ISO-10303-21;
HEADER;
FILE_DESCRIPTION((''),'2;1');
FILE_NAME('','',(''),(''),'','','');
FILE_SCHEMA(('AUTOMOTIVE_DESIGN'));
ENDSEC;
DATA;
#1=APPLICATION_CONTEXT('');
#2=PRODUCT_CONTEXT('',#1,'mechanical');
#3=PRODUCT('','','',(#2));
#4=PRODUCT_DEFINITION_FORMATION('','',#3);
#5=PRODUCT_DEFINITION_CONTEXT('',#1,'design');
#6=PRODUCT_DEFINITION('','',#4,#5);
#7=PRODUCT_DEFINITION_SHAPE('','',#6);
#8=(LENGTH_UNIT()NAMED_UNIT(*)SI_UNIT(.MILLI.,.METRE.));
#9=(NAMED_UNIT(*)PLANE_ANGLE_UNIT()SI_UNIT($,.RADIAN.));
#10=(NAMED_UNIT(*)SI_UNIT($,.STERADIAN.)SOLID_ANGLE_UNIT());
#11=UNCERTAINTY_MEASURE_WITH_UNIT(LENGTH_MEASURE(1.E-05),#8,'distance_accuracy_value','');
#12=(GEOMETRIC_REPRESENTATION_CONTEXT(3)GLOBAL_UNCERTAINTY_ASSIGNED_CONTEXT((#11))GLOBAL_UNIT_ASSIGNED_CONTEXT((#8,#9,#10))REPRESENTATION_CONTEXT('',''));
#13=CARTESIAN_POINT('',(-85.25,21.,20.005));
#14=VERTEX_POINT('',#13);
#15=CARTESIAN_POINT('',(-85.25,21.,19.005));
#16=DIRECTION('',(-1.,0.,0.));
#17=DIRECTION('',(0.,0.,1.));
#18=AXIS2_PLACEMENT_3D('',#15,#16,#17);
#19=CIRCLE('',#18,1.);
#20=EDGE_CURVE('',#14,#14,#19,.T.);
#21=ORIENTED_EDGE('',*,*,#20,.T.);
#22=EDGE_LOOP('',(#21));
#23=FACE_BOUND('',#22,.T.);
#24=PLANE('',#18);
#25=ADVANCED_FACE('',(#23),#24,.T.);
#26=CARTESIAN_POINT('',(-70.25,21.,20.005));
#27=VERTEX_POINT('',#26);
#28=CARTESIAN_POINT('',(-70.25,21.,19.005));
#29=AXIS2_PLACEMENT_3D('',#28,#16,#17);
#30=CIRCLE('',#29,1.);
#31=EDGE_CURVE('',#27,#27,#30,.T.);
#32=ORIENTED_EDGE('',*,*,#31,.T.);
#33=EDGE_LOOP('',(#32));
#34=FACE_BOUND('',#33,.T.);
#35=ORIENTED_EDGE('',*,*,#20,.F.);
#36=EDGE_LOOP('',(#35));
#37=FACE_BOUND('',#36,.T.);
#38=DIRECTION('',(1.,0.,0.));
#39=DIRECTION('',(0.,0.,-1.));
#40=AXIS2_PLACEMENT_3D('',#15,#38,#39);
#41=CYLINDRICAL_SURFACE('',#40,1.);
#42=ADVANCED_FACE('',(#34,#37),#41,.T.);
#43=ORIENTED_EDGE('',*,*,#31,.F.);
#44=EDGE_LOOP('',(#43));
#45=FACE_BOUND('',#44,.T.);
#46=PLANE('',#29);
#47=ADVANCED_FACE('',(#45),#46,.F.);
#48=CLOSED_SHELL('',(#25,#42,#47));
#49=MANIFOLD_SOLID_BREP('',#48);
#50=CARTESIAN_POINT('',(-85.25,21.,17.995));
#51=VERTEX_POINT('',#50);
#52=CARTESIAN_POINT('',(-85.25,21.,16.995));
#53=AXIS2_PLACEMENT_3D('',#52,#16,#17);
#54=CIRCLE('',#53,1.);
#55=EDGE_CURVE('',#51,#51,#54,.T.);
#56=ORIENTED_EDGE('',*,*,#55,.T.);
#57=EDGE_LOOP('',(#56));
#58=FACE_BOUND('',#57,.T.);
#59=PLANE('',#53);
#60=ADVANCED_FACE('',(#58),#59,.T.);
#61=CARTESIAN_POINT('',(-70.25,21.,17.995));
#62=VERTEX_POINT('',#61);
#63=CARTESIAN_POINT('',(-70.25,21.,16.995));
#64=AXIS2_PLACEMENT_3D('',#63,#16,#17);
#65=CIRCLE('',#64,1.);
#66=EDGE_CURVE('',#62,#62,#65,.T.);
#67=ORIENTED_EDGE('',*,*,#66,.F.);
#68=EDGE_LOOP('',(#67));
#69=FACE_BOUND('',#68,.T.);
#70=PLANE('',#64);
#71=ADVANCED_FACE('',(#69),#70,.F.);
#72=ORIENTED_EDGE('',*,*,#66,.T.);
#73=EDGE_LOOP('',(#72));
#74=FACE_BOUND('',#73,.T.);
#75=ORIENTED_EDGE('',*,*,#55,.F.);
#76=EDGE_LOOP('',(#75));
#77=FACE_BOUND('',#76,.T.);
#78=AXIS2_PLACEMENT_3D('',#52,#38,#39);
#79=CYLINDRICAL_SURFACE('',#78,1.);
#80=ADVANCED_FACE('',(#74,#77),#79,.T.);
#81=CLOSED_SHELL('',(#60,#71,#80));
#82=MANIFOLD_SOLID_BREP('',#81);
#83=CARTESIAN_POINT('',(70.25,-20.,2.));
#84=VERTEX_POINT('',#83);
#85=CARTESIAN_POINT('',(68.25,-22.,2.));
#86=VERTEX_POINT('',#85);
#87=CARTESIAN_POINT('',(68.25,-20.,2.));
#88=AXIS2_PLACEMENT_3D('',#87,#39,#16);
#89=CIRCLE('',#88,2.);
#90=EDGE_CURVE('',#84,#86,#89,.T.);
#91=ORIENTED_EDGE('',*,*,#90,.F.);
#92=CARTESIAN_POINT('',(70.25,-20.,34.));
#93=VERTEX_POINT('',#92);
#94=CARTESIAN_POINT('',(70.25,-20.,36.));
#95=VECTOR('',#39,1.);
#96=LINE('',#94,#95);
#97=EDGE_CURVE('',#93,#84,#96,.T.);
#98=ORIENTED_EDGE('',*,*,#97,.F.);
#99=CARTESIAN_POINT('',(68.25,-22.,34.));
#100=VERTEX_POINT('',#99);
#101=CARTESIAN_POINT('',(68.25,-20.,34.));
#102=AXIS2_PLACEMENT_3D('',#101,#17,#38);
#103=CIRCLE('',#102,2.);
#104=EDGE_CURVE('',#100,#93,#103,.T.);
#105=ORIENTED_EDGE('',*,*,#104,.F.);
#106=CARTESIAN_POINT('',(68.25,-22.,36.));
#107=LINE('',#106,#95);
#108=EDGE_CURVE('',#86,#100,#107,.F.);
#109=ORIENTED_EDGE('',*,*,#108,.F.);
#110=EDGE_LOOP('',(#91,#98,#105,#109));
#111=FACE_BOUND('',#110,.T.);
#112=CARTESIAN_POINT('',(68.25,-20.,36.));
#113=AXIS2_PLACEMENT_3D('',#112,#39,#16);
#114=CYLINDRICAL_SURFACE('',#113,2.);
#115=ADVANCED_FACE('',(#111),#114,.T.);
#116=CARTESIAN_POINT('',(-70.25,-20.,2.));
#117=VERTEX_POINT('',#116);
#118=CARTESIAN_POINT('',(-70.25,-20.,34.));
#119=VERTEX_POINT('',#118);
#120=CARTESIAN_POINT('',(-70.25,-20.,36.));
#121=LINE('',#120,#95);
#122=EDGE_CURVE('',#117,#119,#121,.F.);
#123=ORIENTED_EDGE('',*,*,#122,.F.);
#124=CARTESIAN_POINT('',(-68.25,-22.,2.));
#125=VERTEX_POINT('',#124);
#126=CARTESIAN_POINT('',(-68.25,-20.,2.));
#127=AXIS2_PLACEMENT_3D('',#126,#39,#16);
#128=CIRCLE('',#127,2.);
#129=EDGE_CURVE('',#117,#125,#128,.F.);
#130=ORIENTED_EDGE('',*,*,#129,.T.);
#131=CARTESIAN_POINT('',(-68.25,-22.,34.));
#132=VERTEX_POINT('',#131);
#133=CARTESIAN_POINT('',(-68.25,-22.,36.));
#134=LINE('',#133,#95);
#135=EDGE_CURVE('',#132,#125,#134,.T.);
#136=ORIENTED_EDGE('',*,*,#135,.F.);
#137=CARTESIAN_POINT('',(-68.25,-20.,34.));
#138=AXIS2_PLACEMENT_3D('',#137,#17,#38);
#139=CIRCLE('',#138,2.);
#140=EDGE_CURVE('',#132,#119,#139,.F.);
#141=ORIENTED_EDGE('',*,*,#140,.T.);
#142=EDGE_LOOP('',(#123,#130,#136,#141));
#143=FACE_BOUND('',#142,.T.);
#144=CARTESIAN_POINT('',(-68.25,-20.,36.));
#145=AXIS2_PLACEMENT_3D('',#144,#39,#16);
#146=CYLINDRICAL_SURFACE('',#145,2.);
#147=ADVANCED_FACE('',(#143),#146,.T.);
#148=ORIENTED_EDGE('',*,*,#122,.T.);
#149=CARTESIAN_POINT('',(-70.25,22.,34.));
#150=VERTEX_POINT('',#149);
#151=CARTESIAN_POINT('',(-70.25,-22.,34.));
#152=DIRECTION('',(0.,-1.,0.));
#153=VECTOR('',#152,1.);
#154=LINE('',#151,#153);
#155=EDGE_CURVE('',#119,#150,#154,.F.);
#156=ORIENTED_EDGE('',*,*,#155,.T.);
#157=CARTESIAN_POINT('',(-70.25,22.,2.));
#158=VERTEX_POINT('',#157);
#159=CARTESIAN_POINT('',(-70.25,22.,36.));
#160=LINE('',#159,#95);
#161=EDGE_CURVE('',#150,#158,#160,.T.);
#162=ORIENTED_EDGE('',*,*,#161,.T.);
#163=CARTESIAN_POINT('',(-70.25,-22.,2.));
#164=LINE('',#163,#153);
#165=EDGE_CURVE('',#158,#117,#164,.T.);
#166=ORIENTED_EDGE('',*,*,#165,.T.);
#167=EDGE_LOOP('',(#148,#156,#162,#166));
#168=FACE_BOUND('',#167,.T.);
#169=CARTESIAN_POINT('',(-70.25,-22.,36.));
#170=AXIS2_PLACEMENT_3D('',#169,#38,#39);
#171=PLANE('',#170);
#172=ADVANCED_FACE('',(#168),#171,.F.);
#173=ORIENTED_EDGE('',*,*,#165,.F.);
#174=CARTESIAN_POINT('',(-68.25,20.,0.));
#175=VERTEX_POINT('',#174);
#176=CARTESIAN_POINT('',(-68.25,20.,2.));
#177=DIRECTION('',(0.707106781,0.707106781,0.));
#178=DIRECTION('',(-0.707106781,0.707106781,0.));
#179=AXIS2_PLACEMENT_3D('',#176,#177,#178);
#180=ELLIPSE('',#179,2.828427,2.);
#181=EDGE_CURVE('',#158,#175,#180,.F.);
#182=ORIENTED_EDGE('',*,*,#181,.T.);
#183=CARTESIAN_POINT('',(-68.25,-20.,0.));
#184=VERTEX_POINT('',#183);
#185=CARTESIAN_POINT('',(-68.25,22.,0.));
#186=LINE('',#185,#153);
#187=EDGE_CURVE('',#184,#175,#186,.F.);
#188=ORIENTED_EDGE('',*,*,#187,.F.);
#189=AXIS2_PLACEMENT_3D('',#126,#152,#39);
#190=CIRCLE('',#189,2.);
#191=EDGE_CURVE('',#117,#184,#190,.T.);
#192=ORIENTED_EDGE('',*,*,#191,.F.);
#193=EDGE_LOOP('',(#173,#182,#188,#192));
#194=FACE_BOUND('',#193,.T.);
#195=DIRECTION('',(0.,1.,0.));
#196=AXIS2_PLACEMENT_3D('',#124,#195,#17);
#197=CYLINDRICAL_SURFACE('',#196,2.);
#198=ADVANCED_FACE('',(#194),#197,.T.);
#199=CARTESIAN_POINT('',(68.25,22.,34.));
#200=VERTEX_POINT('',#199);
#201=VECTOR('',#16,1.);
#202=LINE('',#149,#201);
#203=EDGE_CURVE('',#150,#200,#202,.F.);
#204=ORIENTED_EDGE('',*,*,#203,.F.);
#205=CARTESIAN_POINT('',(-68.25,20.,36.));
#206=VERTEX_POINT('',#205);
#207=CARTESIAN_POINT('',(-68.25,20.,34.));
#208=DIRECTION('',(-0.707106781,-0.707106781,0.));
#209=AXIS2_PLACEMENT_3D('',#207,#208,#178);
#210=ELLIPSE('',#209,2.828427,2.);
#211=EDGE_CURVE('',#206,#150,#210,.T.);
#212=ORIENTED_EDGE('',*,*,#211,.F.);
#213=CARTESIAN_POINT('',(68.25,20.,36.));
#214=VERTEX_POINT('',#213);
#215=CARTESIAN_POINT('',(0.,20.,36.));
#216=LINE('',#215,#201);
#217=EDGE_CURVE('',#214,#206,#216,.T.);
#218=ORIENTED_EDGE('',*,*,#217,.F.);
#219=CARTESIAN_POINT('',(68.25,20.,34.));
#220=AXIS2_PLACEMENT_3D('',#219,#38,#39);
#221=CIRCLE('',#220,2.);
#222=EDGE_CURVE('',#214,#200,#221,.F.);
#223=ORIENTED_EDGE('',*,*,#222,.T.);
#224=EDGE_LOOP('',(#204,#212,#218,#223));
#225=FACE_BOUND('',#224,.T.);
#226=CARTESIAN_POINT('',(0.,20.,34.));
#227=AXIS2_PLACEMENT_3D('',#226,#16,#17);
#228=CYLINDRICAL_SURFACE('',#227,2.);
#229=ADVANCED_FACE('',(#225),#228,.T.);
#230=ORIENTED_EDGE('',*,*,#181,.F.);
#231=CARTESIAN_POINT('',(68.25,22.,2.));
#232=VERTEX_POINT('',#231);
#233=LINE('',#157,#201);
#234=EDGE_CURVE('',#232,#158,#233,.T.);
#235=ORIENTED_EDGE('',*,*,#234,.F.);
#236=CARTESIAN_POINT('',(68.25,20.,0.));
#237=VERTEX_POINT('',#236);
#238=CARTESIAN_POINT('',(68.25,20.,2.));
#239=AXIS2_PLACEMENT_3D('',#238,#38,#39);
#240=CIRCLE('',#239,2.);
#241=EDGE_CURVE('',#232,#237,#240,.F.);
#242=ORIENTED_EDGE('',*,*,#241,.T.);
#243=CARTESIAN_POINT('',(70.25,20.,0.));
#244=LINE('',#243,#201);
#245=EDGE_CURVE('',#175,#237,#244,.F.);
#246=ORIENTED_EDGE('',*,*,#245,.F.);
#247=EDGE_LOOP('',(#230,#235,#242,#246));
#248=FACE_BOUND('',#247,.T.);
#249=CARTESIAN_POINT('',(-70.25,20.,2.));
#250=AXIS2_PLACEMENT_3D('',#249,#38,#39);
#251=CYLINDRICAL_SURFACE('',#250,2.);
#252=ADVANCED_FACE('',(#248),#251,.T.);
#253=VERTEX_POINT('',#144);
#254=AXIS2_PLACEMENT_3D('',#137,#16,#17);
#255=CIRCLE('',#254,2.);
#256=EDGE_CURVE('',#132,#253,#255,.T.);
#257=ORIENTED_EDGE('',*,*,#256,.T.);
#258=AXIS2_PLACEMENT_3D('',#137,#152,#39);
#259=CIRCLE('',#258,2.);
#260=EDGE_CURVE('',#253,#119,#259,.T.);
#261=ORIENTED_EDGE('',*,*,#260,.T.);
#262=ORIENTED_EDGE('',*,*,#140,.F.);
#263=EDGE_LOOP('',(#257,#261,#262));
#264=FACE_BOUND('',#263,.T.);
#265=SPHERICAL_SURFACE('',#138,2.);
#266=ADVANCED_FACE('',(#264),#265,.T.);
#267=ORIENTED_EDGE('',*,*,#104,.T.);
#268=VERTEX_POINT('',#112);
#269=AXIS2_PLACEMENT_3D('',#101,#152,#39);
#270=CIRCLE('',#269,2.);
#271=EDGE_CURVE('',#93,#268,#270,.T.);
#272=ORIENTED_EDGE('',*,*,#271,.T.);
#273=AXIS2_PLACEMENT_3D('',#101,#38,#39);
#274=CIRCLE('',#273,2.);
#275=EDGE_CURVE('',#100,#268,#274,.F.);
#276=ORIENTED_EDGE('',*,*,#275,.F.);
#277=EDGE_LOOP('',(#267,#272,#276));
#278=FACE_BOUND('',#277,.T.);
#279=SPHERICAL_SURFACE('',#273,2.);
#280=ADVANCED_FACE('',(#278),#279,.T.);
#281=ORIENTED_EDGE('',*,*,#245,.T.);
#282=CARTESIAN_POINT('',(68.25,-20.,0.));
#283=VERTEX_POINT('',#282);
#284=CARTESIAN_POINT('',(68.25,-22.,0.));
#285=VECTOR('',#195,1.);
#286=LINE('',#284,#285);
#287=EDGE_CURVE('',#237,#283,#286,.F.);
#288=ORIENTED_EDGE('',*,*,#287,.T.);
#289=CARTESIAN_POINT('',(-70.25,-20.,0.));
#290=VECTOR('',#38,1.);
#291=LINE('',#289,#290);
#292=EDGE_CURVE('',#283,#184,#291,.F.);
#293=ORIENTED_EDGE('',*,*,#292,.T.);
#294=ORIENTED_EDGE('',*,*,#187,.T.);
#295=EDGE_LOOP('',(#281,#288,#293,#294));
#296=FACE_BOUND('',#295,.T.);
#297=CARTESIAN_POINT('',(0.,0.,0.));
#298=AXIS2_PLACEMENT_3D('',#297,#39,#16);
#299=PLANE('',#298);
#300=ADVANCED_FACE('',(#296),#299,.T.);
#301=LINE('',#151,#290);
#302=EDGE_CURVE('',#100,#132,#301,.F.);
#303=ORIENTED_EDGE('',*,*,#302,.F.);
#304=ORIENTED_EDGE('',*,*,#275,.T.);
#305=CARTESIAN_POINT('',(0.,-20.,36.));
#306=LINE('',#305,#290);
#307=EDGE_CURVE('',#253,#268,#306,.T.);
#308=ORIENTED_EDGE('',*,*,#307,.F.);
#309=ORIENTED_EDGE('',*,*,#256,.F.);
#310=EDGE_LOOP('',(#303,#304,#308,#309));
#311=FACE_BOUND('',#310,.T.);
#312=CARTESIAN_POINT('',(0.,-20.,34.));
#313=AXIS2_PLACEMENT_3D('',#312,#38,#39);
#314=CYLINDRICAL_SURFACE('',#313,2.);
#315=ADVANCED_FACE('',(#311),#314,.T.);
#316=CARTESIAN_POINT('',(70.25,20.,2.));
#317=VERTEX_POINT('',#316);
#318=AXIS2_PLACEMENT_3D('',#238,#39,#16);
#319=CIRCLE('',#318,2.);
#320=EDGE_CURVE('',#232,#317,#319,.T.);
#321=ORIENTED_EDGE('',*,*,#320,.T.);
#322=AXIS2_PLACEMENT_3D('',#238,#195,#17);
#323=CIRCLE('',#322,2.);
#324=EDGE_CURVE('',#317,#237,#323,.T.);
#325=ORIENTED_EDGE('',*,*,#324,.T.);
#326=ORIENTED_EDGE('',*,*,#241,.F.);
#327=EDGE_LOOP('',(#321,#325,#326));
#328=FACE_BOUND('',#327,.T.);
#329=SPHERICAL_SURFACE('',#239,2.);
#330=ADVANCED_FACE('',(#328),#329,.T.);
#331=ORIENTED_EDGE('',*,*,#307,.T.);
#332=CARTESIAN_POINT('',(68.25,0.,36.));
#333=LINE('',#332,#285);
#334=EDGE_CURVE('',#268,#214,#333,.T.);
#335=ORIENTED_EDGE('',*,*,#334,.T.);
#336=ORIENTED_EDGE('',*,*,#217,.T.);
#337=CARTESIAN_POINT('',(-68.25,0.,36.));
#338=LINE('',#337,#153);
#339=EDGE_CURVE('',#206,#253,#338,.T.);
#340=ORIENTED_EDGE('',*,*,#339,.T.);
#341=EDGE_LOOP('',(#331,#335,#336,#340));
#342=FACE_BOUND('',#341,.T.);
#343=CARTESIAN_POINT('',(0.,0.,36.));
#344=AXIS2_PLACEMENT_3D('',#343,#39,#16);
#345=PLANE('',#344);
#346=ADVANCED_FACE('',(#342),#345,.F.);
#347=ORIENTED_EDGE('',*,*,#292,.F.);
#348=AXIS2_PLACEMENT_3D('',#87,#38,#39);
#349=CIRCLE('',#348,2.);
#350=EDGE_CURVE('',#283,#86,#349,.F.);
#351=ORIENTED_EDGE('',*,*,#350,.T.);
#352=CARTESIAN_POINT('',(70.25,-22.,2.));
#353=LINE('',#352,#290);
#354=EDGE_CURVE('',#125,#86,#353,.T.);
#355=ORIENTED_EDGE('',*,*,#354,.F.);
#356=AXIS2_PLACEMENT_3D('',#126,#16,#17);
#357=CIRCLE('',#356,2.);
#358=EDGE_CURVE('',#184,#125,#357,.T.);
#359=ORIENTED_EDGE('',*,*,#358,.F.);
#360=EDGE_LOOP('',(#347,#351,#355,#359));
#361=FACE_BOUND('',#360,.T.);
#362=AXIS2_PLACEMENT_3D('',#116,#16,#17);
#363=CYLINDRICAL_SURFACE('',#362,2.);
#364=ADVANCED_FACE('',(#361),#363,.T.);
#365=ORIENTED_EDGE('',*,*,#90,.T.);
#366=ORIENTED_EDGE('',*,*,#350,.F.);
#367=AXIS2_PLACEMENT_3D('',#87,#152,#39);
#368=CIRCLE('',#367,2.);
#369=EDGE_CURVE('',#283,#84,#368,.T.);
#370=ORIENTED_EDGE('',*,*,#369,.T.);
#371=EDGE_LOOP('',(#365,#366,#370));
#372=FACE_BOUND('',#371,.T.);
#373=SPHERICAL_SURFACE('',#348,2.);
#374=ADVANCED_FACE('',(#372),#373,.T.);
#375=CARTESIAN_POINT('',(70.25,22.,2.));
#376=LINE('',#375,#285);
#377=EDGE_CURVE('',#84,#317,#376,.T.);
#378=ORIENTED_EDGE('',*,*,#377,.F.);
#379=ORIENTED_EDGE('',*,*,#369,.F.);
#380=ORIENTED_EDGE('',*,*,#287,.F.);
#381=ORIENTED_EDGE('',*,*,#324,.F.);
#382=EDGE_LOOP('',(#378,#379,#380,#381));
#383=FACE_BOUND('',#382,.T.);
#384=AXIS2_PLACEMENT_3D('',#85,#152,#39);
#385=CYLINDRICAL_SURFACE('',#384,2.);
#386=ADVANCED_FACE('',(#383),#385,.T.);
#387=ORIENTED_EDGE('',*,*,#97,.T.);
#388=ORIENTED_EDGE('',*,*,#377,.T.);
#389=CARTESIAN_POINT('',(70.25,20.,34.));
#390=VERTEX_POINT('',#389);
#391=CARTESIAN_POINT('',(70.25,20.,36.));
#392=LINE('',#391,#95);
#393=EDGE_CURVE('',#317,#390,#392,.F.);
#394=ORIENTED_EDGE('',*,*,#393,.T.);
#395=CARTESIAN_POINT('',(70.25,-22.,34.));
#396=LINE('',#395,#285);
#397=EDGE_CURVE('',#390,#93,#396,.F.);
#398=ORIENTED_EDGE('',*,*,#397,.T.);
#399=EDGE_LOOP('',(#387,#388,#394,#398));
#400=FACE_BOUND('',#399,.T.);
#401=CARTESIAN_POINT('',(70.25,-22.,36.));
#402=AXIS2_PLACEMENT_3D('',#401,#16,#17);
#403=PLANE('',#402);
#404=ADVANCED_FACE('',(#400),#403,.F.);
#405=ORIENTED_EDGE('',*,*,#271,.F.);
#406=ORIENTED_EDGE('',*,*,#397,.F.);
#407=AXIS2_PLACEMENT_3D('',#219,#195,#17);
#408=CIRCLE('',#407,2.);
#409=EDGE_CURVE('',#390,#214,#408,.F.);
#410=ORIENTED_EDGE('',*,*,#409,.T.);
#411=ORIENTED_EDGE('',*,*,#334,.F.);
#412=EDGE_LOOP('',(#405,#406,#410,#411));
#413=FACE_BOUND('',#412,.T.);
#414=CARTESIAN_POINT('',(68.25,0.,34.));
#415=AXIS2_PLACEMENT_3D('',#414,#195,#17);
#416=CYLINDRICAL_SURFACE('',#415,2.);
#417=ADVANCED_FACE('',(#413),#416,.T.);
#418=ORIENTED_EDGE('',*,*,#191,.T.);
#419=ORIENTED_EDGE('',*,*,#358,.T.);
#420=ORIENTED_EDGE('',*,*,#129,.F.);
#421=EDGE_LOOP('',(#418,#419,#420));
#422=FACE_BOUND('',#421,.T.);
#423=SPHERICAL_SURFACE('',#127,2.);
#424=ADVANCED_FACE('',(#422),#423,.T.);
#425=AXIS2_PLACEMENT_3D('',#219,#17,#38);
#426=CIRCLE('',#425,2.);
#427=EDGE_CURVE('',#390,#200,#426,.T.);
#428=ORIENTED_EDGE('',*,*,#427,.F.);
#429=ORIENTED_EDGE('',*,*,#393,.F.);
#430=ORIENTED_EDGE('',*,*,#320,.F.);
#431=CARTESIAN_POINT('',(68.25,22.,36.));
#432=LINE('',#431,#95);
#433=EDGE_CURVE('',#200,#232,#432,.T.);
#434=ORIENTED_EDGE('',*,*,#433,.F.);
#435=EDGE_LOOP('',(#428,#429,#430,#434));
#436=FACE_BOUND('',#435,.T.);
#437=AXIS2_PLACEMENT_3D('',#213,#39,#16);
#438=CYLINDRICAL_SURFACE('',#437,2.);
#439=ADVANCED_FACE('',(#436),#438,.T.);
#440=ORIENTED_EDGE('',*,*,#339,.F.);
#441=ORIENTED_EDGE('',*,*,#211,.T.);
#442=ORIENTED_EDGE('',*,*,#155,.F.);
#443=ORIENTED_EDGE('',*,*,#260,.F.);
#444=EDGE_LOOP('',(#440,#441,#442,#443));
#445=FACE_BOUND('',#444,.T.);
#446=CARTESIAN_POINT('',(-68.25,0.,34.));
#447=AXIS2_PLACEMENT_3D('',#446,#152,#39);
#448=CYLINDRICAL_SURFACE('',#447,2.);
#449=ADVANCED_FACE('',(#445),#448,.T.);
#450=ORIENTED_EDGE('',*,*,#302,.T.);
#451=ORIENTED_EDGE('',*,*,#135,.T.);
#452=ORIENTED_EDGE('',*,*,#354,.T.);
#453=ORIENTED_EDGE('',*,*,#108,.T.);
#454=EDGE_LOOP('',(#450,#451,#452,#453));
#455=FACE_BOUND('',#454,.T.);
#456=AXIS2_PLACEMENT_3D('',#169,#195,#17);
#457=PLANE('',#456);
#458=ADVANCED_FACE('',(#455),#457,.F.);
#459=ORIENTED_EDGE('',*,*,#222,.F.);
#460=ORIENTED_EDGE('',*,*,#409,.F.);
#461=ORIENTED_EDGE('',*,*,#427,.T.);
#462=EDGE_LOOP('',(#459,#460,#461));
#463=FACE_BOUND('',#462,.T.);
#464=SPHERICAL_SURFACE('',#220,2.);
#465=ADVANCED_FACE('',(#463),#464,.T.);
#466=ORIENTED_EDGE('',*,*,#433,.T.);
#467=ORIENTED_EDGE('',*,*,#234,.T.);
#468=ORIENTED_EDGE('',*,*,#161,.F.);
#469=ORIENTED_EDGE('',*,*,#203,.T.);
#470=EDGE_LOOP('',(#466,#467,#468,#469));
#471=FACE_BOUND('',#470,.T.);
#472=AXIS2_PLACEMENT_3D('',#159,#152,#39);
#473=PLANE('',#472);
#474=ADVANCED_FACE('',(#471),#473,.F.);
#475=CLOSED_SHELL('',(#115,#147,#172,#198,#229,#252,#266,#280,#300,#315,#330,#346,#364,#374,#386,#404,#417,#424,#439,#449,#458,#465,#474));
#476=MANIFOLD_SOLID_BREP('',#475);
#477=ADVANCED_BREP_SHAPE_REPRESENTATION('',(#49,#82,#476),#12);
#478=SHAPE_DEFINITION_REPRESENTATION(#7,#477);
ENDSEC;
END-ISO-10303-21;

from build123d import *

# Parameters (mm, degrees)
SKETCH1_W             = 140.5
SKETCH1_H             = 44
BOSS_EXTRUDE1_DEPTH   = 36
SKETCH2_R             = 1
BOSS_EXTRUDE4_DEPTH   = 15
BOSS_EXTRUDE4_2_DEPTH = 15
FILLET1_R             = 2


with BuildPart() as part:
    # Sketch1 → Boss-Extrude1 (new body)
    with BuildSketch(Plane.XY):
        Rectangle(SKETCH1_W, SKETCH1_H)
    extrude(amount=BOSS_EXTRUDE1_DEPTH)

    # Fillet1
    fillet1_edges = [part.edges().sort_by_distance(p)[0] for p in [
        (-70.25, 0, 36),
        (0, -22, 36),
        (70.25, 0, 36),
        (0, -22, 0),
        (-70.25, 0, 0),
        (0, 22, 0),
        (70.25, 0, 0),
        (70.25, -22, 18),
        (-70.25, -22, 18),
        (70.25, 22, 18),
        (0, 22, 36),
    ]]
    fillet(fillet1_edges, radius=FILLET1_R)


with BuildPart() as body_2:
    # Sketch2 → Boss-Extrude4 (new body)
    with BuildSketch(Plane.ZY.offset(70.25)):
        with Locations((16.995, 21)):
            Circle(SKETCH2_R)
    extrude(amount=BOSS_EXTRUDE4_DEPTH)


with BuildPart() as body_3:
    # Sketch2 → Boss-Extrude4 2 (new body)
    with BuildSketch(Plane.ZY.offset(70.25)):
        with Locations((19.005, 21)):
            Circle(SKETCH2_R)
    extrude(amount=BOSS_EXTRUDE4_2_DEPTH)


solid = Compound([part.part, body_2.part, body_3.part])
